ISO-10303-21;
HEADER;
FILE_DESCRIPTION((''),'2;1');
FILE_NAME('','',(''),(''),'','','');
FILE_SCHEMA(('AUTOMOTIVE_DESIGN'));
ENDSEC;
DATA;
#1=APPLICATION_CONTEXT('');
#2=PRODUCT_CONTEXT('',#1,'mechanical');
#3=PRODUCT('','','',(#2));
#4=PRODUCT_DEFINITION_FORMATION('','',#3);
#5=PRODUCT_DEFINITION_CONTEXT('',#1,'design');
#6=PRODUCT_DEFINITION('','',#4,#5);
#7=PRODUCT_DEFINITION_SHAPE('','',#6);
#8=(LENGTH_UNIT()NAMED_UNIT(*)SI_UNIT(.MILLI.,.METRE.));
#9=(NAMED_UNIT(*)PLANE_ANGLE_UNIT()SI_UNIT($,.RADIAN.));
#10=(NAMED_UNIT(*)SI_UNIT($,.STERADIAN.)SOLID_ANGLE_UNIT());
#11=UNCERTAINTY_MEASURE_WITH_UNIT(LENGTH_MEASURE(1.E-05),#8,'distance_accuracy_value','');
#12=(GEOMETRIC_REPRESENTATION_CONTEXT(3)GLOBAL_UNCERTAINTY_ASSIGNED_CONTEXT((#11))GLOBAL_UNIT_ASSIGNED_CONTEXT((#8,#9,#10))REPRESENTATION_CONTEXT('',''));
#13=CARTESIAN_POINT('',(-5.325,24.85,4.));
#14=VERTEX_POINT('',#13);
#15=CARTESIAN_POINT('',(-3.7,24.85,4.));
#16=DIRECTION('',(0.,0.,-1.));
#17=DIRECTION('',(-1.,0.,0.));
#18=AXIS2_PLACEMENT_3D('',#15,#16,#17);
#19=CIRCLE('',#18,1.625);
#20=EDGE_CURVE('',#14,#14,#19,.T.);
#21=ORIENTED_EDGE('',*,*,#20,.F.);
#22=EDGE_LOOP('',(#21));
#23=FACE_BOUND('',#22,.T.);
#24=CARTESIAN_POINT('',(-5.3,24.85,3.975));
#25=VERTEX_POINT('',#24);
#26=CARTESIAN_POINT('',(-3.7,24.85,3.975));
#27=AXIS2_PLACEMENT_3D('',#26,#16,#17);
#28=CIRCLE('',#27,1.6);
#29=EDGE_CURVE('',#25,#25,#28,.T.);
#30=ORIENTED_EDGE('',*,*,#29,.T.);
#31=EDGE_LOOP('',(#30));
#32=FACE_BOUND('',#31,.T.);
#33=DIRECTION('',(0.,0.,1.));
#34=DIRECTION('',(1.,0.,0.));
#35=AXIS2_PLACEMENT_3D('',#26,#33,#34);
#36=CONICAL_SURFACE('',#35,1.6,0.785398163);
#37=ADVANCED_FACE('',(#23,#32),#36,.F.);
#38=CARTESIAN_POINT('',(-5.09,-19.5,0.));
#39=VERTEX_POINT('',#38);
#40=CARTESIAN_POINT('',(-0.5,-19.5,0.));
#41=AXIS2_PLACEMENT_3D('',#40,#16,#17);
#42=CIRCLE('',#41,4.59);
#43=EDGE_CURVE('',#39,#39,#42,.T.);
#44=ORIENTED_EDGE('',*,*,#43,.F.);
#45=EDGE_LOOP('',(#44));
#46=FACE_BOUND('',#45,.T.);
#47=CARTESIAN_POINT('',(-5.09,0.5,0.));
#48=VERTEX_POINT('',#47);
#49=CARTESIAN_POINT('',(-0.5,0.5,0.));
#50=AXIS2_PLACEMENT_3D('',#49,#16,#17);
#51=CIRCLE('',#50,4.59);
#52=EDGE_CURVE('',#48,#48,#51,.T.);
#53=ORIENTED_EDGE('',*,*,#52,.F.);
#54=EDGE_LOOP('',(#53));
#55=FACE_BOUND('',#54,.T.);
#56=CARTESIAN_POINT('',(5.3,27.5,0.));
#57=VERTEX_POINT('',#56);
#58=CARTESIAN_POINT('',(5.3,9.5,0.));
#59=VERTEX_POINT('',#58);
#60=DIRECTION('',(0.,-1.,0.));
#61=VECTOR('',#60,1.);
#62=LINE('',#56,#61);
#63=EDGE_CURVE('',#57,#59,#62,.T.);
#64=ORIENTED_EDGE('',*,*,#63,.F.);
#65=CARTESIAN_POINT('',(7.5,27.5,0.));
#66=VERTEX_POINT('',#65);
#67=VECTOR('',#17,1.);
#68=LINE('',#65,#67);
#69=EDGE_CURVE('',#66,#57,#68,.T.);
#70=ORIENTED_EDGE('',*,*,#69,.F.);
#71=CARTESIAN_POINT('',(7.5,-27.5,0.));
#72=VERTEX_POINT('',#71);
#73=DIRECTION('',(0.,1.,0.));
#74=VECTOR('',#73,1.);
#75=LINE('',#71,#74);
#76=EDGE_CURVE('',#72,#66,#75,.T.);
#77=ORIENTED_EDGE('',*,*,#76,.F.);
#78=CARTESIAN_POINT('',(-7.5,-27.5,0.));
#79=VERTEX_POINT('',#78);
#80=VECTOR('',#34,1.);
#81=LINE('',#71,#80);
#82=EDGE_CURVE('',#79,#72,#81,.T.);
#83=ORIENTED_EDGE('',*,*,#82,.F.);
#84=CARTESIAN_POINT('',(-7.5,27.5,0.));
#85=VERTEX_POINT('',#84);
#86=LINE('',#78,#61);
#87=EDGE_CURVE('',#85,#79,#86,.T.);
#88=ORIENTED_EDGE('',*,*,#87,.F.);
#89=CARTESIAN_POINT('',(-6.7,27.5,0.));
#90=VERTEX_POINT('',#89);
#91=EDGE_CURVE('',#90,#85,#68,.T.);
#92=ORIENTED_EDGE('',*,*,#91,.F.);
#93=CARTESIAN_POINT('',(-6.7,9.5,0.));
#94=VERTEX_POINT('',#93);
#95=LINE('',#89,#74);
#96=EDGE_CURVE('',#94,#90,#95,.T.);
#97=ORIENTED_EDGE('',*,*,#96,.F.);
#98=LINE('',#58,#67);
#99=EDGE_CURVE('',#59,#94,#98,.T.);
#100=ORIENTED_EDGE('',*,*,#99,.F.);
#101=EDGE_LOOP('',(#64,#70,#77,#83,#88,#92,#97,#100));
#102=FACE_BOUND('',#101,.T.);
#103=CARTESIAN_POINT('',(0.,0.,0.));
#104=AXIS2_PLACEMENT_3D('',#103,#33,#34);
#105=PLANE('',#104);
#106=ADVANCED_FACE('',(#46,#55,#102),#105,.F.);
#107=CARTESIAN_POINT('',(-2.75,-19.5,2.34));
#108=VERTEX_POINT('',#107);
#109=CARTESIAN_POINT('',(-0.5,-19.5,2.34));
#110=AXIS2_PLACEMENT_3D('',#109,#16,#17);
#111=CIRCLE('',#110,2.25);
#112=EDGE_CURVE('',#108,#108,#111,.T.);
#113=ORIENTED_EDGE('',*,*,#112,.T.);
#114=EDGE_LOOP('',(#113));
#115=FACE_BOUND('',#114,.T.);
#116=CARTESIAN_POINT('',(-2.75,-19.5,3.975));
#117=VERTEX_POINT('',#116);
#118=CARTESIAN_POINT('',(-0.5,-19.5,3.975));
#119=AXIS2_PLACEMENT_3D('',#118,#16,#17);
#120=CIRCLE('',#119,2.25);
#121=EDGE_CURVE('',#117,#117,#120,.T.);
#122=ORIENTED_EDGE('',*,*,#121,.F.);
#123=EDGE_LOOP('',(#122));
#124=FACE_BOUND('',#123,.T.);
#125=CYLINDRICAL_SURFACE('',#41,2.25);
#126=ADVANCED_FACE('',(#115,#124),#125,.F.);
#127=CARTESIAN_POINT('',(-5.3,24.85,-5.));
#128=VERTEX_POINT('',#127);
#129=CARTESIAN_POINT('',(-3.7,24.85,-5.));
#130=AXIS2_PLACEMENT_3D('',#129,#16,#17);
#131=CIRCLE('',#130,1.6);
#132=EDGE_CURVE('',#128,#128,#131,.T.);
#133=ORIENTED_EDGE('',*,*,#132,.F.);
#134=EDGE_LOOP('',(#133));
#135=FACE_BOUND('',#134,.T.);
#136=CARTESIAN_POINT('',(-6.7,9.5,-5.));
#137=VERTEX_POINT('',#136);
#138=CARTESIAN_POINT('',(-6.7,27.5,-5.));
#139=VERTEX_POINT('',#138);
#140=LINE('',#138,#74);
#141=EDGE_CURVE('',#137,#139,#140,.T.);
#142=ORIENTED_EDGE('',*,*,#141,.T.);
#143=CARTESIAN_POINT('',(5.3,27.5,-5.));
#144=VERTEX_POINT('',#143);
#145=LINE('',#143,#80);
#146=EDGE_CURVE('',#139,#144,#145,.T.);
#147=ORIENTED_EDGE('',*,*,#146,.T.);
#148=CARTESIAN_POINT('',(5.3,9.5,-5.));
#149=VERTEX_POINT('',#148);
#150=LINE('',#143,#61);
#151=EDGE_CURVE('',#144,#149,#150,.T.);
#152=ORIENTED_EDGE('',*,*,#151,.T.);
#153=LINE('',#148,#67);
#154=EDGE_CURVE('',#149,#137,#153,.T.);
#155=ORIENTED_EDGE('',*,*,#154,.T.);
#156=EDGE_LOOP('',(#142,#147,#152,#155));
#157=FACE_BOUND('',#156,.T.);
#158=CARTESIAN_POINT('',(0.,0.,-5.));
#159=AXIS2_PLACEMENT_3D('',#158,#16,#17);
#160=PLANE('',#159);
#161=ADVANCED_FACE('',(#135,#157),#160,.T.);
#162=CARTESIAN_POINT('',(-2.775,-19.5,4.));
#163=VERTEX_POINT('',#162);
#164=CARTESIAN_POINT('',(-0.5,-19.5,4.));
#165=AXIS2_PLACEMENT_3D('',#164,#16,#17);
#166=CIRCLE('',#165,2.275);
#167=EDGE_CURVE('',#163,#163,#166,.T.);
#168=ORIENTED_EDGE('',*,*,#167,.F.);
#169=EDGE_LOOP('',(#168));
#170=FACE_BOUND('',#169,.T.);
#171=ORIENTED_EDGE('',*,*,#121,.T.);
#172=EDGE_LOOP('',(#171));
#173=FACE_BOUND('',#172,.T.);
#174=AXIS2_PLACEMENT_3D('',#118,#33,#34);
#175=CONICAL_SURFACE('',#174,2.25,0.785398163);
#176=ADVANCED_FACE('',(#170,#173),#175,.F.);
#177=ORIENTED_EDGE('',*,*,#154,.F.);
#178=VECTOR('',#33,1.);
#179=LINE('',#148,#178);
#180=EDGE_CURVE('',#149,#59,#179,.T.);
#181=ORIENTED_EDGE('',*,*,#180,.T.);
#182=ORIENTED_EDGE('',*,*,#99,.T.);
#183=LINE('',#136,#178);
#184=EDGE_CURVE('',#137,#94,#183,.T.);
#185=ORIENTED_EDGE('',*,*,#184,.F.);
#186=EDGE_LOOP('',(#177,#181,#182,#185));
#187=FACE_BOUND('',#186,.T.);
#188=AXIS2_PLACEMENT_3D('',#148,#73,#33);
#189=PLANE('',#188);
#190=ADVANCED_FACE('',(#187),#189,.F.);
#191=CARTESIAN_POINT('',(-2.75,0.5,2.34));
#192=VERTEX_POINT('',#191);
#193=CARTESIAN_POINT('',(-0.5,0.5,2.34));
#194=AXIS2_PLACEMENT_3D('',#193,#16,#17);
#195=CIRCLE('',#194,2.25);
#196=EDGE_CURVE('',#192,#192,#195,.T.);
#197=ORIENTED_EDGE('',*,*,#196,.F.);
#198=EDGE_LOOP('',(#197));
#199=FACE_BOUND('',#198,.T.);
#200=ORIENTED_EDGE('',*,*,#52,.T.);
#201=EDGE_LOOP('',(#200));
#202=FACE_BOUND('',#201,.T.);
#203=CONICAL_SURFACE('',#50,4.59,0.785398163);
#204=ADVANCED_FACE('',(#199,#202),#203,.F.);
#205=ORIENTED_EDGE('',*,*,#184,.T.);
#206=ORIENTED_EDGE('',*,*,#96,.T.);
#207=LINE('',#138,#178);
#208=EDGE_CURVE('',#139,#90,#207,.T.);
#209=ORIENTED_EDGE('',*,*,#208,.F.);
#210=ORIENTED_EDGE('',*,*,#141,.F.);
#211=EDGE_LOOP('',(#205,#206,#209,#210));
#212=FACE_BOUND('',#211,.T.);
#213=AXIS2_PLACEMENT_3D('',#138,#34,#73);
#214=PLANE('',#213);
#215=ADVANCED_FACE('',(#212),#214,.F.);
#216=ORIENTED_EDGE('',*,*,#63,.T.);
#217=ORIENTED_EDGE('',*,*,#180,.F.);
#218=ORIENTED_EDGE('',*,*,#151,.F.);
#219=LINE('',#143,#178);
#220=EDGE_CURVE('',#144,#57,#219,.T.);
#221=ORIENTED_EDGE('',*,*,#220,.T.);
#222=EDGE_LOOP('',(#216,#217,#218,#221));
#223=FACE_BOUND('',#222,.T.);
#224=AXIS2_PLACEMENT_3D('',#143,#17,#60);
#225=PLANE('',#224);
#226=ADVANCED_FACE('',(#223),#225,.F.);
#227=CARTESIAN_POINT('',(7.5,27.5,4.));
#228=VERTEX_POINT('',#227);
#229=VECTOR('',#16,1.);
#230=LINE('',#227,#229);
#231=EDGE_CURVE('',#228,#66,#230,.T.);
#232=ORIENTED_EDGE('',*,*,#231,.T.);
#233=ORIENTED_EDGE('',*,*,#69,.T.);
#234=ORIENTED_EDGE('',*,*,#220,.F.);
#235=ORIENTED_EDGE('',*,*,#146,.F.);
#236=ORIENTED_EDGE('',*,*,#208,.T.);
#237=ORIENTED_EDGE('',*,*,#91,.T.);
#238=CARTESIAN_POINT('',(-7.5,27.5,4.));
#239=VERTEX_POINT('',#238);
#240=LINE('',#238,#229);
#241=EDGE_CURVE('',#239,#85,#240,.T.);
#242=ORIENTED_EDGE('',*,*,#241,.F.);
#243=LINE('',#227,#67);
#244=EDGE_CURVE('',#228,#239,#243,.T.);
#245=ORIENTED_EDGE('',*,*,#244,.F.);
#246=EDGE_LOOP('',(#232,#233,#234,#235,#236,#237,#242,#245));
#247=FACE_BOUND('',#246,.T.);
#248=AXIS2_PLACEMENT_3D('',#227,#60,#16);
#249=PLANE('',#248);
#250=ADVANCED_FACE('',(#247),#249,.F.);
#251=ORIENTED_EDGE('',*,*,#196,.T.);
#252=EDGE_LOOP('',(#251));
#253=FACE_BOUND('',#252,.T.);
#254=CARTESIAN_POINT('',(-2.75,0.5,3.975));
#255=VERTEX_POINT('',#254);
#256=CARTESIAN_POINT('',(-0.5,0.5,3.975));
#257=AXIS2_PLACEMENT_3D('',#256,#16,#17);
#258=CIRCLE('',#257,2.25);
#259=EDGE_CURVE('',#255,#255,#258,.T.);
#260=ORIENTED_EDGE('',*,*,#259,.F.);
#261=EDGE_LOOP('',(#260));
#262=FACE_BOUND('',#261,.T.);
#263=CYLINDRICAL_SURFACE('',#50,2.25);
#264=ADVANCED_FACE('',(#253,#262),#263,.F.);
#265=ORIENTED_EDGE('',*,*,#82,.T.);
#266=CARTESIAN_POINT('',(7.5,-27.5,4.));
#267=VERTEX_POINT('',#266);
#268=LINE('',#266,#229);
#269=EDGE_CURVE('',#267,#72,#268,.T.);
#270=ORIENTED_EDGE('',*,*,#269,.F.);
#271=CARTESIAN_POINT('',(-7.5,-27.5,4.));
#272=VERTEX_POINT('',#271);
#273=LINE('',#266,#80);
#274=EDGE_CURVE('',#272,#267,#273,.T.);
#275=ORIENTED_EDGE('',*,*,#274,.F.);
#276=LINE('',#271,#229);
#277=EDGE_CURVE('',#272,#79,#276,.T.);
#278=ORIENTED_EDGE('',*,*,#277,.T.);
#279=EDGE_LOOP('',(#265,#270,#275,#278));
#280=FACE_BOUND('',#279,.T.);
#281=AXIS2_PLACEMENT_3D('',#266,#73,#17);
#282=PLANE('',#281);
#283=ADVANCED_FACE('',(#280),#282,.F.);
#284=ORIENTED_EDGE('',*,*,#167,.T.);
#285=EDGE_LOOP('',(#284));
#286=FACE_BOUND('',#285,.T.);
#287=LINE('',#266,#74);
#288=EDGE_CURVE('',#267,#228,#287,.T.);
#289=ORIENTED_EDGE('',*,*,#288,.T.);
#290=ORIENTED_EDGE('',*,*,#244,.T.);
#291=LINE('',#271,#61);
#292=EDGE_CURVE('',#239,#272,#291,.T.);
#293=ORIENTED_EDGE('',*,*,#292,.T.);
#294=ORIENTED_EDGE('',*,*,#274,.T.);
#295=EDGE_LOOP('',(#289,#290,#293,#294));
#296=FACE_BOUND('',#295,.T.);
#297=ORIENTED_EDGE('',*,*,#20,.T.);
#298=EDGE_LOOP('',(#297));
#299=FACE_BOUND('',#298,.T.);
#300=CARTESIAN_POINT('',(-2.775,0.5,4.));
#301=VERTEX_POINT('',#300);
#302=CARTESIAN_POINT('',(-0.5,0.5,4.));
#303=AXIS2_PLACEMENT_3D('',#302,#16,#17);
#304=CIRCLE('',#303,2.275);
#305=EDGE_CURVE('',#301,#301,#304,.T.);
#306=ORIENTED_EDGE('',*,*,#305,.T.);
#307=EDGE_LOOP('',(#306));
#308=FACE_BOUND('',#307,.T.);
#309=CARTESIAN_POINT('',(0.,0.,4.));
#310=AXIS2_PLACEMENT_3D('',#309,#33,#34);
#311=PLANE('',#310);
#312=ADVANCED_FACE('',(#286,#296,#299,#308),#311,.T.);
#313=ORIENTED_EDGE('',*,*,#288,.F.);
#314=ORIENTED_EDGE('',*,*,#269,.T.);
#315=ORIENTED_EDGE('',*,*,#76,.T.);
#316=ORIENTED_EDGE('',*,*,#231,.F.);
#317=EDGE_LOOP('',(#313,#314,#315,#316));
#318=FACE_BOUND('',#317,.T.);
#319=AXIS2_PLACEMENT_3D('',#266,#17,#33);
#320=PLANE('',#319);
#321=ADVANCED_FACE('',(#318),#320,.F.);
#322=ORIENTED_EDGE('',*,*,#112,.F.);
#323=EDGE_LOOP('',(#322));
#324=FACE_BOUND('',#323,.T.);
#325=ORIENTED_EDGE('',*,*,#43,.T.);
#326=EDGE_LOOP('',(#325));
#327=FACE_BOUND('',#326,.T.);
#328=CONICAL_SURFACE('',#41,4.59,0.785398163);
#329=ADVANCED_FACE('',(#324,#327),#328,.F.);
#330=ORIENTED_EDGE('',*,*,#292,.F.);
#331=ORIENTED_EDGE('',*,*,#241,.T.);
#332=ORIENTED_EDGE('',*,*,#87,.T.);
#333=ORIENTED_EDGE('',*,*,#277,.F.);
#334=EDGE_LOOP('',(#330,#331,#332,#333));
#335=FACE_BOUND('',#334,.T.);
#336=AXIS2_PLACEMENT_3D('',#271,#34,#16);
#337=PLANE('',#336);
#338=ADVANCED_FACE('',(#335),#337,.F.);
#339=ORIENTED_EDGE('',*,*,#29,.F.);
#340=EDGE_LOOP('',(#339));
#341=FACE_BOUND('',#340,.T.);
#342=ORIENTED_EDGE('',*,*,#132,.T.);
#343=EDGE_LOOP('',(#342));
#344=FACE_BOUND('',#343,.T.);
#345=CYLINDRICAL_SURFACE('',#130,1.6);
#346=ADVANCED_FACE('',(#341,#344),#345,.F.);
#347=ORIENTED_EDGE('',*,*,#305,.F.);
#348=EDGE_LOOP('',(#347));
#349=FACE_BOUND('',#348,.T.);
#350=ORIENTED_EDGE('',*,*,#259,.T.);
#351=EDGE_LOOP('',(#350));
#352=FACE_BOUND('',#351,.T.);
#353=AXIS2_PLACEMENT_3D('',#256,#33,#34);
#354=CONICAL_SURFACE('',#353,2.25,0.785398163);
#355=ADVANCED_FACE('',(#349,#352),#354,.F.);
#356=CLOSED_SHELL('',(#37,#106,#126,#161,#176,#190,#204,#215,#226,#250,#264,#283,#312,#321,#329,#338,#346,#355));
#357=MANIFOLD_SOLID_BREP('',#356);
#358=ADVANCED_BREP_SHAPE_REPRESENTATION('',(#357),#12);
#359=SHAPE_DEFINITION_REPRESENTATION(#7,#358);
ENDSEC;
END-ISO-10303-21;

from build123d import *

# Parameters (mm, degrees)
SKETCH1_W                                    = 15
SKETCH1_H                                    = 55
BOSS_EXTRUDE1_DEPTH                          = 4
CSK_FOR_M4_HEX_SOCKET_COUNTERSUNK_HE_2_COUNT = 2
CSK_FOR_M4_HEX_SOCKET_COUNTERSUNK_HE_2_PITCH = 20
SKETCH15_W                                   = 12
SKETCH15_H                                   = 18
BOSS_EXTRUDE2_DEPTH                          = 5


with BuildPart() as part:
    # Sketch1 → Boss-Extrude1 (new body)
    with BuildSketch(Plane.XY):
        Rectangle(SKETCH1_W, SKETCH1_H)
    extrude(amount=BOSS_EXTRUDE1_DEPTH)

    # Sketch5 → CSK for M4 Hex Socket Countersunk Head Screw1 (revolve, cut)
    with BuildSketch(Plane(origin=(-0.5, 0.5, 0), x_dir=(0, 1, 0), z_dir=(1, 0, 0))):
        Polygon((0, 0), (0, 4), (2.275, 4), (2.25, 3.975), (2.25, 2.34), (4.59, 0), align=None)
    csk_for_m4_hex_socket_countersunk_head_s = revolve(axis=Axis((-0.5, 0.5, -6.35), (0, 0, 1)), mode=Mode.SUBTRACT)

    # CSK for M4 Hex Socket Countersunk He 2: CSK for M4 Hex Socket Countersunk Head Screw1 ×2
    with Locations(*[(0, -i * CSK_FOR_M4_HEX_SOCKET_COUNTERSUNK_HE_2_PITCH, 0) for i in range(1, CSK_FOR_M4_HEX_SOCKET_COUNTERSUNK_HE_2_COUNT)]):
        add(csk_for_m4_hex_socket_countersunk_head_s, mode=Mode.SUBTRACT)

    # Sketch15 → Boss-Extrude2 (add)
    with BuildSketch(Plane(origin=(0, 0, 0), x_dir=(-1, 0, 0), z_dir=(0, 0, -1))):
        with Locations((0.7, 18.5)):
            Rectangle(SKETCH15_W, SKETCH15_H)
    extrude(amount=BOSS_EXTRUDE2_DEPTH)

    # Sketch19 → M3 Clearance Hole1 (revolve, cut)
    with BuildSketch(Plane(origin=(-3.7, 24.85, -5), x_dir=(0, 1, 0), z_dir=(1, 0, 0))):
        Polygon((0, 0), (0, 9), (1.625, 9), (1.6, 8.975), (1.6, 0), align=None)
    revolve(axis=Axis((-3.7, 24.85, -11.35), (0, 0, 1)), mode=Mode.SUBTRACT)


solid = part.part
